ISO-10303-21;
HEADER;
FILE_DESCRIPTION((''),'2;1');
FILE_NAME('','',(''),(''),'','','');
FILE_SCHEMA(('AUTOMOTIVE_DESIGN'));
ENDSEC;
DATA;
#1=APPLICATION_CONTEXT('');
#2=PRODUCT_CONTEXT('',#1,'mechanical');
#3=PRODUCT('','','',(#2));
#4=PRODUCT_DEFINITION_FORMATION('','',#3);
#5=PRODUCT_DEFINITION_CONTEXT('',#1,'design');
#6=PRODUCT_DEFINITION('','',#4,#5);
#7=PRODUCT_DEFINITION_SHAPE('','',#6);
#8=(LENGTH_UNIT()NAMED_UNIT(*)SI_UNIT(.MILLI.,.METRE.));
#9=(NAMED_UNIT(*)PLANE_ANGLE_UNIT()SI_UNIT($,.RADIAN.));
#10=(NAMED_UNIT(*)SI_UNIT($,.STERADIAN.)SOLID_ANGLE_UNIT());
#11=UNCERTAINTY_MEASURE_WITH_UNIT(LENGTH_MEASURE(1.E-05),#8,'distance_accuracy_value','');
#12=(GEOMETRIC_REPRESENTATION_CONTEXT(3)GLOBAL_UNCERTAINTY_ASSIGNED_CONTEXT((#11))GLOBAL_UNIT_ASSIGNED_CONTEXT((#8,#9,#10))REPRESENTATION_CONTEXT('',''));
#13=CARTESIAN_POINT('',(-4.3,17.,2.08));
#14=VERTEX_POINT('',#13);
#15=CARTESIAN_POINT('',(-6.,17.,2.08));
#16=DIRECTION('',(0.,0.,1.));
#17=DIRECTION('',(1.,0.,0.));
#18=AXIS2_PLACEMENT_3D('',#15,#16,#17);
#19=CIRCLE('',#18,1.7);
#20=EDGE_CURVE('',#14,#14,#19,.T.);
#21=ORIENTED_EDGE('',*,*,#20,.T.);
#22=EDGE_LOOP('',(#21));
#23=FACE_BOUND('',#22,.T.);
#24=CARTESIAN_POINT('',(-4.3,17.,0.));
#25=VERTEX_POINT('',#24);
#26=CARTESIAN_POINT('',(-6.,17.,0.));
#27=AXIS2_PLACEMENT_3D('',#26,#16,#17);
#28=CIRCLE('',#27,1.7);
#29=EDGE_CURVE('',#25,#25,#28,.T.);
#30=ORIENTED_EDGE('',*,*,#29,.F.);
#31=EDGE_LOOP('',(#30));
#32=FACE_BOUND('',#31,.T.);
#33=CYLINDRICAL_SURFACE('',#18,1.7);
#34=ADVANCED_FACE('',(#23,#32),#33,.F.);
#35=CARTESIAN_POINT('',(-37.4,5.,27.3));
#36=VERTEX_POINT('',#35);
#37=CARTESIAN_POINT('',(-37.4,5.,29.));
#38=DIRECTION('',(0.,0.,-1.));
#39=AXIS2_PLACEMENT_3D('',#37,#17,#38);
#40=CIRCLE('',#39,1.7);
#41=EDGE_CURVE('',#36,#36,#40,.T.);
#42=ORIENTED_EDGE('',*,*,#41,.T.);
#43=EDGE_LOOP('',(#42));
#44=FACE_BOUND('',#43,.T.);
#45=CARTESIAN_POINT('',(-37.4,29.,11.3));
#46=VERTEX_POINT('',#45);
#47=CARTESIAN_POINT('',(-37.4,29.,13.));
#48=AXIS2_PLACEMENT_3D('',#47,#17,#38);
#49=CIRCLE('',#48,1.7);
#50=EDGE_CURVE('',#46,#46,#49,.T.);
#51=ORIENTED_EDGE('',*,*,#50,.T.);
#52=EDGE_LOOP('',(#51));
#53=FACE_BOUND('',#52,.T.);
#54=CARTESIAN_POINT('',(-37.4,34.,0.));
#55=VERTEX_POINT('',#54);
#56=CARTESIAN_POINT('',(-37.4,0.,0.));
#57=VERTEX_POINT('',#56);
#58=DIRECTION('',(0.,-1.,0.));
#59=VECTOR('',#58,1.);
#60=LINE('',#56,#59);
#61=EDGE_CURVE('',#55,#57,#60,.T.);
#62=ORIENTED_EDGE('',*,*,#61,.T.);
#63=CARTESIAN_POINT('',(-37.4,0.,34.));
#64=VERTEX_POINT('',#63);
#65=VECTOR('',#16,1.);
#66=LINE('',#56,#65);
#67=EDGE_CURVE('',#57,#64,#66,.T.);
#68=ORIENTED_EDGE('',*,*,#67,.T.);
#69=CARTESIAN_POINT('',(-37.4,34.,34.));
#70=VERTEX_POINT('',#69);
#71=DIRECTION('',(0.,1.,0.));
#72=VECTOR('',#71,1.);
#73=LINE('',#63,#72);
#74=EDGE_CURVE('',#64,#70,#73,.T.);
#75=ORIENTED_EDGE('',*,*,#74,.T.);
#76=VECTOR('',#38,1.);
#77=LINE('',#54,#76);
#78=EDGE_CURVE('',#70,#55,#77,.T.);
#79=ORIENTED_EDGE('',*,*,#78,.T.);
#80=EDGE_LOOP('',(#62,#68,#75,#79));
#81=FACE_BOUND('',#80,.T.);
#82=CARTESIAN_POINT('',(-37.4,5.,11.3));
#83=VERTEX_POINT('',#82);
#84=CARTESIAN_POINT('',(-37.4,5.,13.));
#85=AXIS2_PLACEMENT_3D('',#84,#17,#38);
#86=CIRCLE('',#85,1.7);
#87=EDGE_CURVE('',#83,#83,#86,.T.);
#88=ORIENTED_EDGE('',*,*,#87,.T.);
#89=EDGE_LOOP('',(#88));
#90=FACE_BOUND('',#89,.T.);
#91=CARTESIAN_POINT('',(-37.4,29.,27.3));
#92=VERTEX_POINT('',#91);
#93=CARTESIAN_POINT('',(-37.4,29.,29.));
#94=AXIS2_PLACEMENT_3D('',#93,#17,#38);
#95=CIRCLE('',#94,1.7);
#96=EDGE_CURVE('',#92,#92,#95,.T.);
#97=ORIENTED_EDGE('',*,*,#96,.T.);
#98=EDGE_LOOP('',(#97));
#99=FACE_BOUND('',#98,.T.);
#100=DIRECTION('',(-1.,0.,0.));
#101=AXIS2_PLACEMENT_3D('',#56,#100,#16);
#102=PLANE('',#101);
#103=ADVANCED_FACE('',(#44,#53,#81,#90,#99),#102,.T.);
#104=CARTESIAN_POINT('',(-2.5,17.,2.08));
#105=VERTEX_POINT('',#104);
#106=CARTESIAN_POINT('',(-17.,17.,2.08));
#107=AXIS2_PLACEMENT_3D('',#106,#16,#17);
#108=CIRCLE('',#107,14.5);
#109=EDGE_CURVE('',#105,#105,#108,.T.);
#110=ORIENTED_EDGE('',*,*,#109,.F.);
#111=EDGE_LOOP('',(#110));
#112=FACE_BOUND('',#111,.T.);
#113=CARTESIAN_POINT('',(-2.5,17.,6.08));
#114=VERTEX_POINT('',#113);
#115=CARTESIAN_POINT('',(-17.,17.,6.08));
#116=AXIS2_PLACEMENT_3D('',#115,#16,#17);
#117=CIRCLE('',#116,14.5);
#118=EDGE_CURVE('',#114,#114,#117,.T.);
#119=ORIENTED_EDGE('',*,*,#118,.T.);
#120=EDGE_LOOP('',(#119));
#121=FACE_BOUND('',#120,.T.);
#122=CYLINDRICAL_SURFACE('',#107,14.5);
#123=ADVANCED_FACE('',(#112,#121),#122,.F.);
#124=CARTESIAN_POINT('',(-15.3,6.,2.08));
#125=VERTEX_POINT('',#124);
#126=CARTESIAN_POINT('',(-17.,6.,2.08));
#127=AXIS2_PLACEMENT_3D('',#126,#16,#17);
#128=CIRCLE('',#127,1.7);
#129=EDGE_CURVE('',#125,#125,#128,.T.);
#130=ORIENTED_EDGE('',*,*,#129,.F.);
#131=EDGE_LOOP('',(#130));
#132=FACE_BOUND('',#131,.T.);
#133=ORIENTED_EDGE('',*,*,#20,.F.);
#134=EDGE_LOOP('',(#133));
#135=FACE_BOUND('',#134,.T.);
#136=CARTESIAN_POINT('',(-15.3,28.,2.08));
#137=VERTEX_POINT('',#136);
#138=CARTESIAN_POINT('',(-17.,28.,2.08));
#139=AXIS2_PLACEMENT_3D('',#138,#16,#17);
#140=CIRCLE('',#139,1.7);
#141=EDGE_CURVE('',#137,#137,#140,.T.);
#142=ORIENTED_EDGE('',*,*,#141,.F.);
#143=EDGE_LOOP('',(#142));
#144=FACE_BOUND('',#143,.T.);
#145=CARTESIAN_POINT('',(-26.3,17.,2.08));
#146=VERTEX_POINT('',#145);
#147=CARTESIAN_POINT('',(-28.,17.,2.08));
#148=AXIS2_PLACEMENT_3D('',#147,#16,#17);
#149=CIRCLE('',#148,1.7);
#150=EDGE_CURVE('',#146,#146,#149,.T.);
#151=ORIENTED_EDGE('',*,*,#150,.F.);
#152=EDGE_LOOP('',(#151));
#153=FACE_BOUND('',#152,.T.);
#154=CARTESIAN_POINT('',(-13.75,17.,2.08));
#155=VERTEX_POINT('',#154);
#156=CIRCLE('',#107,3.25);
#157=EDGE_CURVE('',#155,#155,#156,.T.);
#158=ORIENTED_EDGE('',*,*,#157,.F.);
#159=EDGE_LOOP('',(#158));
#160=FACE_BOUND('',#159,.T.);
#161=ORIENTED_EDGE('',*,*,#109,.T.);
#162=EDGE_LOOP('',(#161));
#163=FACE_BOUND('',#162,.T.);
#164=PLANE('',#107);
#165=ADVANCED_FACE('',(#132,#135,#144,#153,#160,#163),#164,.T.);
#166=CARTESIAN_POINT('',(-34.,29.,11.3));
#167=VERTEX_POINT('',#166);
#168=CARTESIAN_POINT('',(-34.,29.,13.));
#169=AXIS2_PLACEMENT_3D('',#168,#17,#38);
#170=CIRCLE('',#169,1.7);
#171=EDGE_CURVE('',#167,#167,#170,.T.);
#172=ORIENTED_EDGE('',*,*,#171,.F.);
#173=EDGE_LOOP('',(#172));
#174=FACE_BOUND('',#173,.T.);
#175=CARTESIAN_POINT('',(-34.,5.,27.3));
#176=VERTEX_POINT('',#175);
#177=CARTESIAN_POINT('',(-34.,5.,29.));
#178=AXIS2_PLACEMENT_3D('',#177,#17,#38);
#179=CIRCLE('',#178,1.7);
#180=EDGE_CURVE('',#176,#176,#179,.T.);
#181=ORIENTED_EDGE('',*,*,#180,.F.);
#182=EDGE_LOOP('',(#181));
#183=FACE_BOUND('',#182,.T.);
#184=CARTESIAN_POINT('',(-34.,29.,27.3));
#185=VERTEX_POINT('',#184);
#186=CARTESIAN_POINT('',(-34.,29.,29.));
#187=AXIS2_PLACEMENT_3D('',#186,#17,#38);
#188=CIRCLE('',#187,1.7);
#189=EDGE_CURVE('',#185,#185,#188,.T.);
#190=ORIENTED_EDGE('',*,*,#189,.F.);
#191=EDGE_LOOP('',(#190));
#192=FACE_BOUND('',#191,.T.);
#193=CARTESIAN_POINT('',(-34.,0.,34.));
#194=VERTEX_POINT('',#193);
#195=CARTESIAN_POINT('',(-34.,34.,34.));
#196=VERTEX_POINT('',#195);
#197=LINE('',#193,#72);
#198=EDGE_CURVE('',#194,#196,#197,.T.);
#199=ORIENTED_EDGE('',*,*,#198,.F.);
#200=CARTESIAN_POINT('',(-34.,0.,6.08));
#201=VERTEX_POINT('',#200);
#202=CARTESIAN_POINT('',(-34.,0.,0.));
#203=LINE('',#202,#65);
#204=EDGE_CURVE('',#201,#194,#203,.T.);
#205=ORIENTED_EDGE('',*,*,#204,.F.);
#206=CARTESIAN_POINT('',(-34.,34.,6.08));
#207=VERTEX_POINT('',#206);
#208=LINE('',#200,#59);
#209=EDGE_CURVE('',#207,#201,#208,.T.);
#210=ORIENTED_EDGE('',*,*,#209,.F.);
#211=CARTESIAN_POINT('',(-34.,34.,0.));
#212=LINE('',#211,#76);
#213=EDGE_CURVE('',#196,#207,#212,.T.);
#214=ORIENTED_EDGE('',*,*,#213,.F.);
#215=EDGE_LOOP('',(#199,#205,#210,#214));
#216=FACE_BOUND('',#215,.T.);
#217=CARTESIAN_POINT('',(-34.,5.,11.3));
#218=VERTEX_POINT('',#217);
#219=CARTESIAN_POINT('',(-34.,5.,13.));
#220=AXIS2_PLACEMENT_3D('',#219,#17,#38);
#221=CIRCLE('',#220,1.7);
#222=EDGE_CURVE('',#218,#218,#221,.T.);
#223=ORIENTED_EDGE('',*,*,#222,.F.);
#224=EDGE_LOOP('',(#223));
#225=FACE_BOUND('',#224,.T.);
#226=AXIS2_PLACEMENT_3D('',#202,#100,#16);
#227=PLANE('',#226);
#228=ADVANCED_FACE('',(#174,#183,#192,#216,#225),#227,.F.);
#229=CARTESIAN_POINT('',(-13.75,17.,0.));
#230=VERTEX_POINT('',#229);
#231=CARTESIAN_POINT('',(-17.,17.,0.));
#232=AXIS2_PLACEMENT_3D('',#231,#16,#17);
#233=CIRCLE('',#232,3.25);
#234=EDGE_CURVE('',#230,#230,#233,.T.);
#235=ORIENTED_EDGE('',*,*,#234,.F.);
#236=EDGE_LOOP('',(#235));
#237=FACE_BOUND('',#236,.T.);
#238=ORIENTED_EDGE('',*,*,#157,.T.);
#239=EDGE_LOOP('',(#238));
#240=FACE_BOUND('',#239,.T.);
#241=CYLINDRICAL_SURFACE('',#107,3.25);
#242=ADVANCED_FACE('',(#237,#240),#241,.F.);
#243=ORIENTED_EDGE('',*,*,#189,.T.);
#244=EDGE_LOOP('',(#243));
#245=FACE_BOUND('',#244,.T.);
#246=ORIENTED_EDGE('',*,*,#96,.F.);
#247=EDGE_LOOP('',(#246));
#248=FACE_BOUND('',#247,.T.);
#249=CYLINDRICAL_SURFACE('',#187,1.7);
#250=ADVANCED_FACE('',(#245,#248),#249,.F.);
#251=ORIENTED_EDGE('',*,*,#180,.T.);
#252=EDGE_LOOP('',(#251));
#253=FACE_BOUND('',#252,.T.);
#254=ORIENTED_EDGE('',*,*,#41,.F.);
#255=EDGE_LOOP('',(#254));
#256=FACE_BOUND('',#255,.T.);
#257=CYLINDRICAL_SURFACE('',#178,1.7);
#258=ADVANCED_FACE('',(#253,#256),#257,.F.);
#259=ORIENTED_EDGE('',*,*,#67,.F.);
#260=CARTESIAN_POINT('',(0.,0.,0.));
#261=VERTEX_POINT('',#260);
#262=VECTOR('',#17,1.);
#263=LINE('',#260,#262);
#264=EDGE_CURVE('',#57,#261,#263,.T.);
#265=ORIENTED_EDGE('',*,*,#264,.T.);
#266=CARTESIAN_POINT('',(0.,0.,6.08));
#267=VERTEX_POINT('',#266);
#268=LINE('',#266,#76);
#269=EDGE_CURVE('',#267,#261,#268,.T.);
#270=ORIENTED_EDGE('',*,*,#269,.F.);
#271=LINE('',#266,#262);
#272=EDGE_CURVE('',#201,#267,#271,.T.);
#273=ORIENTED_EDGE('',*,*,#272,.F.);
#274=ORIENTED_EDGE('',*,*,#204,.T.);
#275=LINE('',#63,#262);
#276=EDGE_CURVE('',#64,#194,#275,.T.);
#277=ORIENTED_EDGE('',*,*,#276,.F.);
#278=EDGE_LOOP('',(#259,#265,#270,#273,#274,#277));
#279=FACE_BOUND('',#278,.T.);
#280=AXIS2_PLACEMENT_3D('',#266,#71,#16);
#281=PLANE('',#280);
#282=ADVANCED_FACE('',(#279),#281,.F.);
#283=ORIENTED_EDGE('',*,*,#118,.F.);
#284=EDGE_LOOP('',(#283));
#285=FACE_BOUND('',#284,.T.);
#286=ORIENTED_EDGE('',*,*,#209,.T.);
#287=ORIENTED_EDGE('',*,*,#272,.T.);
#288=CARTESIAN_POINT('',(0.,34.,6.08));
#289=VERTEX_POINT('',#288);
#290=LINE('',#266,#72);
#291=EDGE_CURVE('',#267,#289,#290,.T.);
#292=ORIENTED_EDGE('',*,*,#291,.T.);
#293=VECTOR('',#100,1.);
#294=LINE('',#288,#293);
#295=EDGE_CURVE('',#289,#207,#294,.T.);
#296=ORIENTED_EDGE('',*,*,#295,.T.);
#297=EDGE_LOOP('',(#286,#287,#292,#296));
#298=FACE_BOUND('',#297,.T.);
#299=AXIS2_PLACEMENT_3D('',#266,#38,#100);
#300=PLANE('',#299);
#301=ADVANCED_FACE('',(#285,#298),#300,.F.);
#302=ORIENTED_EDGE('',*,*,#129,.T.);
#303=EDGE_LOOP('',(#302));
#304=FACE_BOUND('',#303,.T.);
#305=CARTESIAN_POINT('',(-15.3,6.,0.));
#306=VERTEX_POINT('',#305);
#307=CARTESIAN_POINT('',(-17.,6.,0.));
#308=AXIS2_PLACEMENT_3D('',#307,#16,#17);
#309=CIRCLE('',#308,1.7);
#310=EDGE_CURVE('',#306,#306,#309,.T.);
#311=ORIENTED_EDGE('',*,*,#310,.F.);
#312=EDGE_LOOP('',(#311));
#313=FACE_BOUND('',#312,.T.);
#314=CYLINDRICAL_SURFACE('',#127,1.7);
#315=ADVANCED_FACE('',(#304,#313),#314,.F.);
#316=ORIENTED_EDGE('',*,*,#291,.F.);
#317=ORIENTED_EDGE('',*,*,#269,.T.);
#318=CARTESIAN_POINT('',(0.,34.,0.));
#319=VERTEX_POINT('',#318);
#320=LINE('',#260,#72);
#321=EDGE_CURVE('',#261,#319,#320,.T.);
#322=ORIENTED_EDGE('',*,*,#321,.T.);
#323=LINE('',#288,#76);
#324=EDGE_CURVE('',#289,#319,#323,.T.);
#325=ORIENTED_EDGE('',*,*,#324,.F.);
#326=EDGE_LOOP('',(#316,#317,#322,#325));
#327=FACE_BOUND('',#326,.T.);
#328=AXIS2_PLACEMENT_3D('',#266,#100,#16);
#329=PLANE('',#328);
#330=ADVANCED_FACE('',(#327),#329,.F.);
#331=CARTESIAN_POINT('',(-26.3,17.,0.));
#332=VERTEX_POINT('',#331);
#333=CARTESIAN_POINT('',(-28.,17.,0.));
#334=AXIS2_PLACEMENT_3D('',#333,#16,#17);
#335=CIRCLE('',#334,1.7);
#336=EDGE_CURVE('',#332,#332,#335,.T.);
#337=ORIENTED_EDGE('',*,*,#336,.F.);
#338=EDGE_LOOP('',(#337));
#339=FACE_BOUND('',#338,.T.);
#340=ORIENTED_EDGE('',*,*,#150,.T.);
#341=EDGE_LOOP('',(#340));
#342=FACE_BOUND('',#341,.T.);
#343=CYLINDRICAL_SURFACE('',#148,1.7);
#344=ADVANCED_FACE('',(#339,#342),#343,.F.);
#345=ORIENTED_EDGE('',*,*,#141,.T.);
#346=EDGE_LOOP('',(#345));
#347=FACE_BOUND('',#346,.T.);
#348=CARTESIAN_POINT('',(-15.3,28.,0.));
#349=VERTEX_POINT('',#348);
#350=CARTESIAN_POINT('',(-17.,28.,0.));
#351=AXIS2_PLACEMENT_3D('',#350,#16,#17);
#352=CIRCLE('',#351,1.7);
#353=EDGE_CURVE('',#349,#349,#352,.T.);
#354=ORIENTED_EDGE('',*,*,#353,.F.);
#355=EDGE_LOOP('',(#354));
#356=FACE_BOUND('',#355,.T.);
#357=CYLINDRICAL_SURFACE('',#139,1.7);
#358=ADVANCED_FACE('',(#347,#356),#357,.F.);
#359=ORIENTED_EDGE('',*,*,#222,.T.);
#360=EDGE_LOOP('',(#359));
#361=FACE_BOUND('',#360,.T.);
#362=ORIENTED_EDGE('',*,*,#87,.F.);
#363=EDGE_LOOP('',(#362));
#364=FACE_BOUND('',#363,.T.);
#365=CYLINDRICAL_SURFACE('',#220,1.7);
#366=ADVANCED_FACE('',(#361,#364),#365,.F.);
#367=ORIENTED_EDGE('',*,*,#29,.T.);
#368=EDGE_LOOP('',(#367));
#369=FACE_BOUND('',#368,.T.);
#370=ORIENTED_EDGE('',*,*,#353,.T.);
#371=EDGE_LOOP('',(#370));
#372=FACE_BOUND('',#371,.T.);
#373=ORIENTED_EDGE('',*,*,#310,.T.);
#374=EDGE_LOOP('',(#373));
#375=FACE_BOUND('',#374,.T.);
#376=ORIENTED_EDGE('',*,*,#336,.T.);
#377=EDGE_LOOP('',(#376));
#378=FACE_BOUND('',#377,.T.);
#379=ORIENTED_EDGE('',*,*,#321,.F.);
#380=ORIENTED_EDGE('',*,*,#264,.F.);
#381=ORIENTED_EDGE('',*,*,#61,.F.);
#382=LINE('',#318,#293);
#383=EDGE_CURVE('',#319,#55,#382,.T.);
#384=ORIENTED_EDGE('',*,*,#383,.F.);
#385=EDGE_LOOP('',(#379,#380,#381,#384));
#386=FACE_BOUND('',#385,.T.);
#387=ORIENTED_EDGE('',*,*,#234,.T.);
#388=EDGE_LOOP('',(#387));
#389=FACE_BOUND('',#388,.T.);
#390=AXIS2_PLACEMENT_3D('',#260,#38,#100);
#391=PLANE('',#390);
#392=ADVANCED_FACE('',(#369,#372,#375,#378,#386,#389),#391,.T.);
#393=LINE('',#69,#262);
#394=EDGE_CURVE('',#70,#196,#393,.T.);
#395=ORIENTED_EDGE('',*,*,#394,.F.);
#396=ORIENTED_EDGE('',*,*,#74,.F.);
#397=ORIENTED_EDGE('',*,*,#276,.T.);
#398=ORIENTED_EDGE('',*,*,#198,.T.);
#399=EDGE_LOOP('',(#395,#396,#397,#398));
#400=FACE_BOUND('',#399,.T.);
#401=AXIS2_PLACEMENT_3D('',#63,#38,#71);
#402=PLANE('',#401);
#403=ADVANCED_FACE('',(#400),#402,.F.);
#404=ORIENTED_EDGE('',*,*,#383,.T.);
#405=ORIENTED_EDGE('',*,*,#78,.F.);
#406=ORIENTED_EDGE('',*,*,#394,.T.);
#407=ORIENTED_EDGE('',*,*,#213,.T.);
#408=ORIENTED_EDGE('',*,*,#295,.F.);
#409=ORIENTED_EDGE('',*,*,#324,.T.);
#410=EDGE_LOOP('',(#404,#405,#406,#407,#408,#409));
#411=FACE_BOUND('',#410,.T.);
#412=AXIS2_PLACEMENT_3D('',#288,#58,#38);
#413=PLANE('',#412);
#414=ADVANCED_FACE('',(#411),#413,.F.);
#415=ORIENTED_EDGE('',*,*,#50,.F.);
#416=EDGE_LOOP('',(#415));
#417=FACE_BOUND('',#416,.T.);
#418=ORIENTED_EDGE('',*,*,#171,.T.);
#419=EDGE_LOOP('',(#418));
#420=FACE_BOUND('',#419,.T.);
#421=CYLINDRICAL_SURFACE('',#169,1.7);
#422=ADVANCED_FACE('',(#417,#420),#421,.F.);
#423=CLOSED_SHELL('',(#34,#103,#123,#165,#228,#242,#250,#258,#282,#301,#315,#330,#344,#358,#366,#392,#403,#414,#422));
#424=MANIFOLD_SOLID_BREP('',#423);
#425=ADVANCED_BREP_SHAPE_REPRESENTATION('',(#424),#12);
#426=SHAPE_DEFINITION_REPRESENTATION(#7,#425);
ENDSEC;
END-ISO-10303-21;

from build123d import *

# Parameters (mm, degrees)
SKETCH1_W            = 34
SKETCH1_H            = 34
BOSS_EXTRUDE1_DEPTH  = 6.08
SKETCH2_W            = 34
SKETCH2_H            = 34
BOSS_EXTRUDE2_DEPTH  = 3.4
HOLE1_D              = 3.4
SKETCH5_R            = 14.5
CUT_EXTRUDE1_DEPTH   = 4
M3_CLEARANCE_HOLE1_D = 3.4
HOLE2_D              = 6.5


with BuildPart() as part:
    # Sketch1 → Boss-Extrude1 (new body)
    with BuildSketch(Plane(origin=(0, 0, 0), x_dir=(0, 1, 0), z_dir=(0, 0, 1))):
        with Locations((17, 17)):
            Rectangle(SKETCH1_W, SKETCH1_H)
    extrude(amount=BOSS_EXTRUDE1_DEPTH)

    # Sketch2 → Boss-Extrude2 (add)
    with BuildSketch(Plane(origin=(-34, 0, 0), x_dir=(0, -1, 0), z_dir=(-1, 0, 0))):
        with Locations((-17, 17)):
            Rectangle(SKETCH2_W, SKETCH2_H)
    extrude(amount=BOSS_EXTRUDE2_DEPTH)

    # Hole1 (through all)
    with Locations(Plane.YZ.offset(-34)):
        with Locations((5, 29), (29, 29), (5, 13), (29, 13)):
            Hole(HOLE1_D / 2)

    # Sketch5 → Cut-Extrude1 (cut)
    with BuildSketch(Plane.XY.offset(6.08)):
        with Locations((-17, 17)):
            Circle(SKETCH5_R)
    extrude(amount=-CUT_EXTRUDE1_DEPTH, mode=Mode.SUBTRACT)

    # M3 Clearance Hole1 (through all)
    with Locations(Plane(origin=(0, 0, 2.08), x_dir=(0, -1, 0), z_dir=(0, 0, 1))):
        with Locations((-17, -6), (-6, -17), (-17, -28), (-28, -17)):
            Hole(M3_CLEARANCE_HOLE1_D / 2)

    # Hole2 (through all)
    with Locations(Plane(origin=(0, 0, 2.08), x_dir=(0, -1, 0), z_dir=(0, 0, 1))):
        with Locations((-17, -17)):
            Hole(HOLE2_D / 2)


solid = part.part
